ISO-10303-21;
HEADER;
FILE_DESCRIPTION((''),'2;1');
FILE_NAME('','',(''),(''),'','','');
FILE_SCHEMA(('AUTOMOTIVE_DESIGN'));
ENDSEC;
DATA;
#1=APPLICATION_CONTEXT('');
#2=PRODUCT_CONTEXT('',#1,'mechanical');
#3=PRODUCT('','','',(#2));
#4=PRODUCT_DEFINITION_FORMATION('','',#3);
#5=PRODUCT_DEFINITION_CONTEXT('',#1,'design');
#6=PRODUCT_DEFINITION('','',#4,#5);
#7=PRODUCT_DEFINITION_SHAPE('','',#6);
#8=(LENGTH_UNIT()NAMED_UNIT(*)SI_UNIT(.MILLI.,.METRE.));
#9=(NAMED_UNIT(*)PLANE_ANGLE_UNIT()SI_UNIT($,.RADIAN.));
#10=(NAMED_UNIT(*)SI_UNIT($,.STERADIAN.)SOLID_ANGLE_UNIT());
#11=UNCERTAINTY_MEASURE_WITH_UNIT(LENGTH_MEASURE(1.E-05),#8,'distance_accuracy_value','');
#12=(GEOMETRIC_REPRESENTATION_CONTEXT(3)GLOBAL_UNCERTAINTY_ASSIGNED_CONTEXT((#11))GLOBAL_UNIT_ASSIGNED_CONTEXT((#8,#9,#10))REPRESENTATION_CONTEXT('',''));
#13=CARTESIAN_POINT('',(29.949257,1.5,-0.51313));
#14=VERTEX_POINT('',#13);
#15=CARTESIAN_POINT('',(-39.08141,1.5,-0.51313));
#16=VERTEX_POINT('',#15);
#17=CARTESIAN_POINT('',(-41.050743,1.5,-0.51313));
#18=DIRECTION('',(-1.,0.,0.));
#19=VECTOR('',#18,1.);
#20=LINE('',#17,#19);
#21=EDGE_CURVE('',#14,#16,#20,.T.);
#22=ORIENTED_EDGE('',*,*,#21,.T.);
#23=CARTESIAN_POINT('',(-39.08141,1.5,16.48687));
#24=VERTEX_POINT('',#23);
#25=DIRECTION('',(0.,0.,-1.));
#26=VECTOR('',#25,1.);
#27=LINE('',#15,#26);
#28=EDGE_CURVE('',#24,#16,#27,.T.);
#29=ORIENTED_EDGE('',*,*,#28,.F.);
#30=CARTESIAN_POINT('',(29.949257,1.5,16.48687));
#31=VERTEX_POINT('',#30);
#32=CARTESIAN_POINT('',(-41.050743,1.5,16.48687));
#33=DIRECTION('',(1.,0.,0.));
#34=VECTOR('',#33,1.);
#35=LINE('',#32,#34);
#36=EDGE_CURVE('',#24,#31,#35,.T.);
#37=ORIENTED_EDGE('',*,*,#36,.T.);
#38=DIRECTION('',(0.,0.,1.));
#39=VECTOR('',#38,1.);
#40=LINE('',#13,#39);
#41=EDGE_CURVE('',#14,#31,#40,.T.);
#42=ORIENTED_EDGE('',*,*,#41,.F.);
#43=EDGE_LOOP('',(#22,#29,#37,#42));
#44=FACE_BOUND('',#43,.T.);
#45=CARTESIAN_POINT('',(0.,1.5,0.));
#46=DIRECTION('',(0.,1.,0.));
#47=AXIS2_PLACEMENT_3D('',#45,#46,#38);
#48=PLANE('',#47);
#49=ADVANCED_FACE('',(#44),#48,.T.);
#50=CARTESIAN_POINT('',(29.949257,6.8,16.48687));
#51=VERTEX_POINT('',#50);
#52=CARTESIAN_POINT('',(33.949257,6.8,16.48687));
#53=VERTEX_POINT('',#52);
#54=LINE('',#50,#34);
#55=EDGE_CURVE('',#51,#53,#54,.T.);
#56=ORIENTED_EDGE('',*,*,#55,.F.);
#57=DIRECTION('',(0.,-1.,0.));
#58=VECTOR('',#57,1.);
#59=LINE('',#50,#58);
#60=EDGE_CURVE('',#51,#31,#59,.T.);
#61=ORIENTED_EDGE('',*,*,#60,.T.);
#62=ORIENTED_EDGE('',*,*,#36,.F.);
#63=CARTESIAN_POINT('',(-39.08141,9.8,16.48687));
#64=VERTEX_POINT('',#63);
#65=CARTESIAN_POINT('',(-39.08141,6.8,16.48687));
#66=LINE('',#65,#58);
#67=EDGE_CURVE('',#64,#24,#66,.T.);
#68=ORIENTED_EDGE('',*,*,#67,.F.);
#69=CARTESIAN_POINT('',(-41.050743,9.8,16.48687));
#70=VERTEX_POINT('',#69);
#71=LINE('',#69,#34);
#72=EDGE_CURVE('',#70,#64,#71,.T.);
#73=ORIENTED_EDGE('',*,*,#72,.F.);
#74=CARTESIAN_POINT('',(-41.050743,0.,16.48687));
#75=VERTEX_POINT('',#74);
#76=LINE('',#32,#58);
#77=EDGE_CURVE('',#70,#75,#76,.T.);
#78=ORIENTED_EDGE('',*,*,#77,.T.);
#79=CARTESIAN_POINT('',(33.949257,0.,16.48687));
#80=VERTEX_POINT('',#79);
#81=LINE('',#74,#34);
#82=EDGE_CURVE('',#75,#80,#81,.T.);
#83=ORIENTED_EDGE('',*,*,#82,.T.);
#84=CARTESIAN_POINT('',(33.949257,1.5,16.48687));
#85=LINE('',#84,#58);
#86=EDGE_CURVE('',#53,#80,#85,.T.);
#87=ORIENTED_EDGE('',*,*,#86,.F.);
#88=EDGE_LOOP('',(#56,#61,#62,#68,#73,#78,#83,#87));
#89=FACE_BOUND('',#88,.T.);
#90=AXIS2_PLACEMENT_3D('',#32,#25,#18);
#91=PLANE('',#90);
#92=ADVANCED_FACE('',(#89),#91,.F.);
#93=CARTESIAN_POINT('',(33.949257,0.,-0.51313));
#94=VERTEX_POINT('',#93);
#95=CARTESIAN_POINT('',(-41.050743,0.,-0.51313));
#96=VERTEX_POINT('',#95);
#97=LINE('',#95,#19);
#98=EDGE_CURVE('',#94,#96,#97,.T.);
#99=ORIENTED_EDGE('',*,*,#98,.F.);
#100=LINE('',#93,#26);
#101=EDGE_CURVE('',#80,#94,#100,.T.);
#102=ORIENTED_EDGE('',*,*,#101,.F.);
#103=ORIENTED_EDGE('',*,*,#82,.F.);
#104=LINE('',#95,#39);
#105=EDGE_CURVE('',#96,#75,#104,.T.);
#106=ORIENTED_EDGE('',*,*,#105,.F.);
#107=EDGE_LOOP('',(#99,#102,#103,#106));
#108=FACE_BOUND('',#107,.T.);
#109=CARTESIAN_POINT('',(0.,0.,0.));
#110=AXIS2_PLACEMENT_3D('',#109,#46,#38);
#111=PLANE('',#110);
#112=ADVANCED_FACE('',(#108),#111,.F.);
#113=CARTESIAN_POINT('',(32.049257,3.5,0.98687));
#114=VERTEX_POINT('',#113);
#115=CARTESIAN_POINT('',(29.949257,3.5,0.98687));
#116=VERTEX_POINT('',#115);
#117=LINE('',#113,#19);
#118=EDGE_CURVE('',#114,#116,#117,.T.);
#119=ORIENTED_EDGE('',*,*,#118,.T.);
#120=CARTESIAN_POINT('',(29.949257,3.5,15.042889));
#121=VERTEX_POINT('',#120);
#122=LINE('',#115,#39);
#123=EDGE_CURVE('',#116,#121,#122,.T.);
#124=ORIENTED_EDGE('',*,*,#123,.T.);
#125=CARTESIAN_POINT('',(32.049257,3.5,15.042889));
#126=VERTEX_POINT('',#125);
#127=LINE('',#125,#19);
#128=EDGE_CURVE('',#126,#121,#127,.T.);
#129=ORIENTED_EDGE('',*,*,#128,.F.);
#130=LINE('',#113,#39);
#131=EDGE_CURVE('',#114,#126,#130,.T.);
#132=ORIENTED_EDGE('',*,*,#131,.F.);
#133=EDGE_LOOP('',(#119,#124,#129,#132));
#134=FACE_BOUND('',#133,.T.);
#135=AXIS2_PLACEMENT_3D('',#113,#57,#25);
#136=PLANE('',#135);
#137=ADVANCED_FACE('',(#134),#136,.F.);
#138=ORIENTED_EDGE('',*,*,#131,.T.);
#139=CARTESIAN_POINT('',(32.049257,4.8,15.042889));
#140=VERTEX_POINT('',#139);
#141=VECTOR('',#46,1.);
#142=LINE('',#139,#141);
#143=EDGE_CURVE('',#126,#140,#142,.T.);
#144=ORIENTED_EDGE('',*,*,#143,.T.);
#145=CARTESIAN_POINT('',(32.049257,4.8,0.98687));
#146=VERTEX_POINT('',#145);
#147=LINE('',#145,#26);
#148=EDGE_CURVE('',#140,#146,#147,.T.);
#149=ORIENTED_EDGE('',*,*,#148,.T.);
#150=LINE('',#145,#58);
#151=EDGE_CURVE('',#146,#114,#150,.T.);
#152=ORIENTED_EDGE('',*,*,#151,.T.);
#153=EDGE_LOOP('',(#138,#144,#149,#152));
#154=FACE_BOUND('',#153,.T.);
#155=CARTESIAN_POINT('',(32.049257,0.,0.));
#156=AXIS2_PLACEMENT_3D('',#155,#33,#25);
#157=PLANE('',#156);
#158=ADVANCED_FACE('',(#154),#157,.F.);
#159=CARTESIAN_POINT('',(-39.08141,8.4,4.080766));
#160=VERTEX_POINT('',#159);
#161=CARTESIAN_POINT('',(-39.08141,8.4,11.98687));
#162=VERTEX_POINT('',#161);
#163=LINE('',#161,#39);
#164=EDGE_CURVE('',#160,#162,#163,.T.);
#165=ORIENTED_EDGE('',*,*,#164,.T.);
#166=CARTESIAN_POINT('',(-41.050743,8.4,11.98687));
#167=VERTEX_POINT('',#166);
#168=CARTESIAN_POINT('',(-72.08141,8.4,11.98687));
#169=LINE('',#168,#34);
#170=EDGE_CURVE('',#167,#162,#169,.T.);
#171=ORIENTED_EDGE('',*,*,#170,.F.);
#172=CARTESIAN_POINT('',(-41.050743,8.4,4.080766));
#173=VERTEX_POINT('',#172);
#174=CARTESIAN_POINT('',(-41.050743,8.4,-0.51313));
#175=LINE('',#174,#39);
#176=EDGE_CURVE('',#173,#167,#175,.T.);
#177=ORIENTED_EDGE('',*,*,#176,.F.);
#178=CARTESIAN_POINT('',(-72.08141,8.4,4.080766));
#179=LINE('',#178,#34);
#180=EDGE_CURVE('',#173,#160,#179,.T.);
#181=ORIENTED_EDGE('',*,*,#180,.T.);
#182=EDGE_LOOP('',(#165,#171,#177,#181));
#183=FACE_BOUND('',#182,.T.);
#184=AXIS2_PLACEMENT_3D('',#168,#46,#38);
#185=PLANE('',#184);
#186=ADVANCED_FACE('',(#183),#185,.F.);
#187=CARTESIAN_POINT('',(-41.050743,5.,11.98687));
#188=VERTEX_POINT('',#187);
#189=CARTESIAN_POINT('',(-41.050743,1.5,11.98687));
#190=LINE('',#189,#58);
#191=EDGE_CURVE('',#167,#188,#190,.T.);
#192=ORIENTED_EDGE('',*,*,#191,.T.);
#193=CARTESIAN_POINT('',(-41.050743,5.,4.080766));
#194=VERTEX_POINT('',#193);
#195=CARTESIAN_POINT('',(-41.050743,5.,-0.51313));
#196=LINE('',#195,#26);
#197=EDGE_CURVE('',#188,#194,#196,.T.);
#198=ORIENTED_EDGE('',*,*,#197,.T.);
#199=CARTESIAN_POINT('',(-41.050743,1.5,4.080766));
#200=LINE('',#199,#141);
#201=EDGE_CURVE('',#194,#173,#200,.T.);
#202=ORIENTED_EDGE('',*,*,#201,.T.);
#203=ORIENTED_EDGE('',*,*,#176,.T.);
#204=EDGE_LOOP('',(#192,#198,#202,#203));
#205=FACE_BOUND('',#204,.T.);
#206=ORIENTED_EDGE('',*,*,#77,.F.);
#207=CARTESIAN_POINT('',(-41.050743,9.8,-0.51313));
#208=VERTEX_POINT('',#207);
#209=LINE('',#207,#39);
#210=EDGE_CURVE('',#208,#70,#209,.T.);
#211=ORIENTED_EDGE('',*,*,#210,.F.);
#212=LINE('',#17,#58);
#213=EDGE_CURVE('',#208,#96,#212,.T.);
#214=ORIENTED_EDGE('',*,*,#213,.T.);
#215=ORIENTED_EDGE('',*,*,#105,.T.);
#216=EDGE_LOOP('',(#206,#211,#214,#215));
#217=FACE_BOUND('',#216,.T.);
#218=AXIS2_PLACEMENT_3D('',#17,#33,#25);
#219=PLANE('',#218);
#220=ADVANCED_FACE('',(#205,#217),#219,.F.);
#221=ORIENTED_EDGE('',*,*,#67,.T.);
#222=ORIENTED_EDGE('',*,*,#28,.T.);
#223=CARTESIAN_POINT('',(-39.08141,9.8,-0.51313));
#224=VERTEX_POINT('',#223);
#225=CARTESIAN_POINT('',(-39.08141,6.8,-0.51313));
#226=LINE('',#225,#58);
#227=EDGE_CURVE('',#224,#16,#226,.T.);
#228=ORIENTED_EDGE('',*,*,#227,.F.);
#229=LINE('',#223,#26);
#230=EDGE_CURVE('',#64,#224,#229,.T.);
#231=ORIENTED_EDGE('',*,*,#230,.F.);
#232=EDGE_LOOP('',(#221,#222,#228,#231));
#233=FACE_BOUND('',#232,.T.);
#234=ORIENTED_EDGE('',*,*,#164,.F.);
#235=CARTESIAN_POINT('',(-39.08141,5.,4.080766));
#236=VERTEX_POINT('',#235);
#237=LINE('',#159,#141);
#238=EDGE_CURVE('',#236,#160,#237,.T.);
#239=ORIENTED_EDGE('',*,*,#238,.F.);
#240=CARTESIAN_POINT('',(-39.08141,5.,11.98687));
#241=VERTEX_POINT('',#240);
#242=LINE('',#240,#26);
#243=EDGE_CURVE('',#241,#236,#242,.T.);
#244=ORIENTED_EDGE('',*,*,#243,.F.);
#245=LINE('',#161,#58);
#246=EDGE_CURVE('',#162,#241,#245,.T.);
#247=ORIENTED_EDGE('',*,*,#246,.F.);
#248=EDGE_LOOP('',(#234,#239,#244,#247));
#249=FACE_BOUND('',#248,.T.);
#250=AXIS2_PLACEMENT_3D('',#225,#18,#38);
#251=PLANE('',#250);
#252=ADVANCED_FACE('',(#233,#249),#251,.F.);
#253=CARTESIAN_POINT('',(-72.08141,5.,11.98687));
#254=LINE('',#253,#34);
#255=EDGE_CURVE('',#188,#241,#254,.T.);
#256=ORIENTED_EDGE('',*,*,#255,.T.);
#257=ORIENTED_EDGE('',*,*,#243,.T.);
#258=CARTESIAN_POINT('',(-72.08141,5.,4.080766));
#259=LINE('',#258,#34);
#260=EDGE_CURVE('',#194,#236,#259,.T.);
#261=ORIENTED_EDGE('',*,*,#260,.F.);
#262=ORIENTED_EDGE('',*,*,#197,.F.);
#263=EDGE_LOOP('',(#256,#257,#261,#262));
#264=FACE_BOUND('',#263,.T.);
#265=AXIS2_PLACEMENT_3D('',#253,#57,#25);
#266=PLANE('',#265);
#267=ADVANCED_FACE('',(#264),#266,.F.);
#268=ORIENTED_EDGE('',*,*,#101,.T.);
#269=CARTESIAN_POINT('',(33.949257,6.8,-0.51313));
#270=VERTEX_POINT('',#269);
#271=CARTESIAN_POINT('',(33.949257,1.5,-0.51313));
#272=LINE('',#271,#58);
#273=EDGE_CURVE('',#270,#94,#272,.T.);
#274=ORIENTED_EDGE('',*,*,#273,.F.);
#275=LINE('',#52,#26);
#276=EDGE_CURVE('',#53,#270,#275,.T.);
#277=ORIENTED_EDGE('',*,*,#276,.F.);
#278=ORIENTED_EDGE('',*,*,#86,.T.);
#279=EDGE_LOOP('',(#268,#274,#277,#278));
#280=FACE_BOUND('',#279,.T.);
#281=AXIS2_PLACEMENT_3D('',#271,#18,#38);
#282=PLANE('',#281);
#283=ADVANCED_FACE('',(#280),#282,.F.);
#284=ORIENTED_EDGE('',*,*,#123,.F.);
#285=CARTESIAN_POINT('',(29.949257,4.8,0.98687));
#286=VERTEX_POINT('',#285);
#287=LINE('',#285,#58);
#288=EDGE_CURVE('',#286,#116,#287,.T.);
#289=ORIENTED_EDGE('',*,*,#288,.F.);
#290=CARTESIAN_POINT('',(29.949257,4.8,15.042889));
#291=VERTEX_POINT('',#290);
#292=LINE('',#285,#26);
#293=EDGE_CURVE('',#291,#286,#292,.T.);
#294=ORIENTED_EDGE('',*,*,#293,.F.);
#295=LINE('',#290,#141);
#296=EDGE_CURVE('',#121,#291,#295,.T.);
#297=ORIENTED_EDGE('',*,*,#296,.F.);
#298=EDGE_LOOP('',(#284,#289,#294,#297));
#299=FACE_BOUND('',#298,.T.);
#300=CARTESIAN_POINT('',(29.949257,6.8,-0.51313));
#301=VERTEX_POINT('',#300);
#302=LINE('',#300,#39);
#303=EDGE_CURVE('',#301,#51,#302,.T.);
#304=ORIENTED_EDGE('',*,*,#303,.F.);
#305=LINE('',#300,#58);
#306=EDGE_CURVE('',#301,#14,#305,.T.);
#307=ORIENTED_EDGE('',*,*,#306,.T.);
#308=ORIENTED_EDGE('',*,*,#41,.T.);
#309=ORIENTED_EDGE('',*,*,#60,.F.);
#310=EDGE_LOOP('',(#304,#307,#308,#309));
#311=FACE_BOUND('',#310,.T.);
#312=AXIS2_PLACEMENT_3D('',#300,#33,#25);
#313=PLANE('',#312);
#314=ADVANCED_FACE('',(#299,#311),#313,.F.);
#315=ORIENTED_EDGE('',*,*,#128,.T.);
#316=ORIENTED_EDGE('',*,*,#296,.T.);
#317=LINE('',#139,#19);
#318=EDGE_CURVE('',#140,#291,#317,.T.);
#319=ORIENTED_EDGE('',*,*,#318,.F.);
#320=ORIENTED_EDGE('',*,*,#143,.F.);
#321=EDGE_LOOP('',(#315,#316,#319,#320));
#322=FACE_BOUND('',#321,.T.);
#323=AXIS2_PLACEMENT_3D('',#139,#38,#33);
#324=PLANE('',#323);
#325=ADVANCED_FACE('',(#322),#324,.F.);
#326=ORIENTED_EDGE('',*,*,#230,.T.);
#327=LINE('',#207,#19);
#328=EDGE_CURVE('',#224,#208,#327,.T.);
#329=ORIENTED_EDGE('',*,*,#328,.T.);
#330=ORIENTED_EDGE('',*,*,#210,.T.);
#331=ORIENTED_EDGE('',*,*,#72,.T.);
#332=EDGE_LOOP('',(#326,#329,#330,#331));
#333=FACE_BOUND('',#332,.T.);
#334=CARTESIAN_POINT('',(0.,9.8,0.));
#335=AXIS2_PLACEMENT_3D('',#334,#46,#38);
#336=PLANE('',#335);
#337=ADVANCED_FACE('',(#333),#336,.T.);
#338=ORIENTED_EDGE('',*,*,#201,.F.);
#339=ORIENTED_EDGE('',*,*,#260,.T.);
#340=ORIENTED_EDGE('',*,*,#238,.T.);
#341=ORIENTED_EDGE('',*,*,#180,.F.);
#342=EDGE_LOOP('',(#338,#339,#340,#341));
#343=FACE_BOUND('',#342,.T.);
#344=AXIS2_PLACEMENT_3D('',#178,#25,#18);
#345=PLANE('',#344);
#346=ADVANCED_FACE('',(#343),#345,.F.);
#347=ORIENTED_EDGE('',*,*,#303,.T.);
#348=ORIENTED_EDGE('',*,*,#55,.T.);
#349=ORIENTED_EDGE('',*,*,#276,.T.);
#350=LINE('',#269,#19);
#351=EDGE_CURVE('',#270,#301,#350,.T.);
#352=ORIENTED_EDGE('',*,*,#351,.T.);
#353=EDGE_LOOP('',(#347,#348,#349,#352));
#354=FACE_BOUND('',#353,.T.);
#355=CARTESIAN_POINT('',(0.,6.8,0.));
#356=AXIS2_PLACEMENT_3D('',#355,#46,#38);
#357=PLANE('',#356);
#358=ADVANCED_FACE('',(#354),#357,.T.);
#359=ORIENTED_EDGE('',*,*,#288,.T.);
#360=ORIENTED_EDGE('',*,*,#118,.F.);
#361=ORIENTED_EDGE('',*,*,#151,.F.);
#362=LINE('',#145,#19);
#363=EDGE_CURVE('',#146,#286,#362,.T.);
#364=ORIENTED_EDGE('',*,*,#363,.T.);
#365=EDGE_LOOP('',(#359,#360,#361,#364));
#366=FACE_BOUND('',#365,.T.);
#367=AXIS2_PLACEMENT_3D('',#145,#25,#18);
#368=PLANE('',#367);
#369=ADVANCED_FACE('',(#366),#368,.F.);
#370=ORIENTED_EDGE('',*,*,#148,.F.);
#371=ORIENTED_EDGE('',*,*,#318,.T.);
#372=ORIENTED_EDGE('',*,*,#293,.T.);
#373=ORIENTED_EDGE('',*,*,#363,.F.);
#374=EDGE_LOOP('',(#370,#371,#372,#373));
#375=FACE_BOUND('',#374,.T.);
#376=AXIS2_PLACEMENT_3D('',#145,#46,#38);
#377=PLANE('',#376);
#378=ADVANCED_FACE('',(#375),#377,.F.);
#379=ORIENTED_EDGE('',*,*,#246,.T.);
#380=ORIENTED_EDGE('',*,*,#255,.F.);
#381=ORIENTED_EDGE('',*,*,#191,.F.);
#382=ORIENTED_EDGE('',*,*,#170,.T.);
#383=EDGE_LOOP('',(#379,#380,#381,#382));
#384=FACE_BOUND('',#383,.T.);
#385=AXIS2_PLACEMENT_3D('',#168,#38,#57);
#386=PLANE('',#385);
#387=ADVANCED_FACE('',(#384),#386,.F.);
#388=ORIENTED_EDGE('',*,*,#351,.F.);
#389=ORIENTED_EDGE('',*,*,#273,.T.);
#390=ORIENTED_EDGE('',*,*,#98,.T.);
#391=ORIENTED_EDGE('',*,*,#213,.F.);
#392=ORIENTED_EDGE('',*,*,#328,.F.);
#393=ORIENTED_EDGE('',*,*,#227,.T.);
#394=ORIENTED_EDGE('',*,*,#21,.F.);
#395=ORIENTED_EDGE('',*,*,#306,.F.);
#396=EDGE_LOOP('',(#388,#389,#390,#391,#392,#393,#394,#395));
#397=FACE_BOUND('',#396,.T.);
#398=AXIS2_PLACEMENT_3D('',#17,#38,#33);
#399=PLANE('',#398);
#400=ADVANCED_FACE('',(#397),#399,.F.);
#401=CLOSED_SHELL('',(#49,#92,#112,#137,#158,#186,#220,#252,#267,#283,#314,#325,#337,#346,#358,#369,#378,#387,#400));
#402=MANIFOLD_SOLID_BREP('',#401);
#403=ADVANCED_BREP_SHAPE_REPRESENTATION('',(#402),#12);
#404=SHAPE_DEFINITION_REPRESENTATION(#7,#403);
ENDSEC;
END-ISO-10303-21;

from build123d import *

# Parameters (mm, degrees)
SKETCH1_W           = 75
SKETCH1_H           = 17
BOSS_EXTRUDE1_DEPTH = 1.5
SKETCH2_W           = 4
SKETCH2_H           = 17
SKETCH2_W_2         = 1.969333236
BOSS_EXTRUDE2_DEPTH = 5.3
SKETCH3_W           = 14.056018955
SKETCH3_H           = 1.3
CUT_EXTRUDE1_DEPTH  = 2.1
SKETCH4_W           = 1.969333236
SKETCH4_H           = 17
BOSS_EXTRUDE3_DEPTH = 3
SKETCH5_W           = 7.906104095
SKETCH5_H           = 3.4
CUT_EXTRUDE3_DEPTH  = 33


with BuildPart() as part:
    # Sketch1 → Boss-Extrude1 (new body)
    with BuildSketch(Plane(origin=(0, 0, 0), x_dir=(1, 0, 0), z_dir=(0, 1, 0))):
        with Locations((-3.550742823, -7.98686986)):
            Rectangle(SKETCH1_W, SKETCH1_H)
    extrude(amount=BOSS_EXTRUDE1_DEPTH)

    # Sketch2 → Boss-Extrude2 (add)
    with BuildSketch(Plane(origin=(0, 1.5, 0), x_dir=(1, 0, 0), z_dir=(0, 1, 0))):
        with Locations((31.949257177, -7.98686986)):
            Rectangle(SKETCH2_W, SKETCH2_H)
        with Locations((-40.066076205, -7.98686986)):
            Rectangle(SKETCH2_W_2, SKETCH2_H)
    extrude(amount=BOSS_EXTRUDE2_DEPTH)

    # Sketch3 → Cut-Extrude1 (cut)
    with BuildSketch(Plane.ZY.offset(-29.949257177)):
        with Locations((8.014879338, 4.15)):
            Rectangle(SKETCH3_W, SKETCH3_H)
    extrude(amount=-CUT_EXTRUDE1_DEPTH, mode=Mode.SUBTRACT)

    # Sketch4 → Boss-Extrude3 (add)
    with BuildSketch(Plane(origin=(0, 6.8, 0), x_dir=(1, 0, 0), z_dir=(0, 1, 0))):
        with Locations((-40.066076205, -7.98686986)):
            Rectangle(SKETCH4_W, SKETCH4_H)
    extrude(amount=BOSS_EXTRUDE3_DEPTH)

    # Sketch5 → Cut-Extrude3 (cut)
    with BuildSketch(Plane(origin=(-39.081409587, 0, 0), x_dir=(0, 0, -1), z_dir=(1, 0, 0))):
        with Locations((-8.033817813, 6.7)):
            Rectangle(SKETCH5_W, SKETCH5_H)
    extrude(amount=-CUT_EXTRUDE3_DEPTH, mode=Mode.SUBTRACT)


solid = part.part
